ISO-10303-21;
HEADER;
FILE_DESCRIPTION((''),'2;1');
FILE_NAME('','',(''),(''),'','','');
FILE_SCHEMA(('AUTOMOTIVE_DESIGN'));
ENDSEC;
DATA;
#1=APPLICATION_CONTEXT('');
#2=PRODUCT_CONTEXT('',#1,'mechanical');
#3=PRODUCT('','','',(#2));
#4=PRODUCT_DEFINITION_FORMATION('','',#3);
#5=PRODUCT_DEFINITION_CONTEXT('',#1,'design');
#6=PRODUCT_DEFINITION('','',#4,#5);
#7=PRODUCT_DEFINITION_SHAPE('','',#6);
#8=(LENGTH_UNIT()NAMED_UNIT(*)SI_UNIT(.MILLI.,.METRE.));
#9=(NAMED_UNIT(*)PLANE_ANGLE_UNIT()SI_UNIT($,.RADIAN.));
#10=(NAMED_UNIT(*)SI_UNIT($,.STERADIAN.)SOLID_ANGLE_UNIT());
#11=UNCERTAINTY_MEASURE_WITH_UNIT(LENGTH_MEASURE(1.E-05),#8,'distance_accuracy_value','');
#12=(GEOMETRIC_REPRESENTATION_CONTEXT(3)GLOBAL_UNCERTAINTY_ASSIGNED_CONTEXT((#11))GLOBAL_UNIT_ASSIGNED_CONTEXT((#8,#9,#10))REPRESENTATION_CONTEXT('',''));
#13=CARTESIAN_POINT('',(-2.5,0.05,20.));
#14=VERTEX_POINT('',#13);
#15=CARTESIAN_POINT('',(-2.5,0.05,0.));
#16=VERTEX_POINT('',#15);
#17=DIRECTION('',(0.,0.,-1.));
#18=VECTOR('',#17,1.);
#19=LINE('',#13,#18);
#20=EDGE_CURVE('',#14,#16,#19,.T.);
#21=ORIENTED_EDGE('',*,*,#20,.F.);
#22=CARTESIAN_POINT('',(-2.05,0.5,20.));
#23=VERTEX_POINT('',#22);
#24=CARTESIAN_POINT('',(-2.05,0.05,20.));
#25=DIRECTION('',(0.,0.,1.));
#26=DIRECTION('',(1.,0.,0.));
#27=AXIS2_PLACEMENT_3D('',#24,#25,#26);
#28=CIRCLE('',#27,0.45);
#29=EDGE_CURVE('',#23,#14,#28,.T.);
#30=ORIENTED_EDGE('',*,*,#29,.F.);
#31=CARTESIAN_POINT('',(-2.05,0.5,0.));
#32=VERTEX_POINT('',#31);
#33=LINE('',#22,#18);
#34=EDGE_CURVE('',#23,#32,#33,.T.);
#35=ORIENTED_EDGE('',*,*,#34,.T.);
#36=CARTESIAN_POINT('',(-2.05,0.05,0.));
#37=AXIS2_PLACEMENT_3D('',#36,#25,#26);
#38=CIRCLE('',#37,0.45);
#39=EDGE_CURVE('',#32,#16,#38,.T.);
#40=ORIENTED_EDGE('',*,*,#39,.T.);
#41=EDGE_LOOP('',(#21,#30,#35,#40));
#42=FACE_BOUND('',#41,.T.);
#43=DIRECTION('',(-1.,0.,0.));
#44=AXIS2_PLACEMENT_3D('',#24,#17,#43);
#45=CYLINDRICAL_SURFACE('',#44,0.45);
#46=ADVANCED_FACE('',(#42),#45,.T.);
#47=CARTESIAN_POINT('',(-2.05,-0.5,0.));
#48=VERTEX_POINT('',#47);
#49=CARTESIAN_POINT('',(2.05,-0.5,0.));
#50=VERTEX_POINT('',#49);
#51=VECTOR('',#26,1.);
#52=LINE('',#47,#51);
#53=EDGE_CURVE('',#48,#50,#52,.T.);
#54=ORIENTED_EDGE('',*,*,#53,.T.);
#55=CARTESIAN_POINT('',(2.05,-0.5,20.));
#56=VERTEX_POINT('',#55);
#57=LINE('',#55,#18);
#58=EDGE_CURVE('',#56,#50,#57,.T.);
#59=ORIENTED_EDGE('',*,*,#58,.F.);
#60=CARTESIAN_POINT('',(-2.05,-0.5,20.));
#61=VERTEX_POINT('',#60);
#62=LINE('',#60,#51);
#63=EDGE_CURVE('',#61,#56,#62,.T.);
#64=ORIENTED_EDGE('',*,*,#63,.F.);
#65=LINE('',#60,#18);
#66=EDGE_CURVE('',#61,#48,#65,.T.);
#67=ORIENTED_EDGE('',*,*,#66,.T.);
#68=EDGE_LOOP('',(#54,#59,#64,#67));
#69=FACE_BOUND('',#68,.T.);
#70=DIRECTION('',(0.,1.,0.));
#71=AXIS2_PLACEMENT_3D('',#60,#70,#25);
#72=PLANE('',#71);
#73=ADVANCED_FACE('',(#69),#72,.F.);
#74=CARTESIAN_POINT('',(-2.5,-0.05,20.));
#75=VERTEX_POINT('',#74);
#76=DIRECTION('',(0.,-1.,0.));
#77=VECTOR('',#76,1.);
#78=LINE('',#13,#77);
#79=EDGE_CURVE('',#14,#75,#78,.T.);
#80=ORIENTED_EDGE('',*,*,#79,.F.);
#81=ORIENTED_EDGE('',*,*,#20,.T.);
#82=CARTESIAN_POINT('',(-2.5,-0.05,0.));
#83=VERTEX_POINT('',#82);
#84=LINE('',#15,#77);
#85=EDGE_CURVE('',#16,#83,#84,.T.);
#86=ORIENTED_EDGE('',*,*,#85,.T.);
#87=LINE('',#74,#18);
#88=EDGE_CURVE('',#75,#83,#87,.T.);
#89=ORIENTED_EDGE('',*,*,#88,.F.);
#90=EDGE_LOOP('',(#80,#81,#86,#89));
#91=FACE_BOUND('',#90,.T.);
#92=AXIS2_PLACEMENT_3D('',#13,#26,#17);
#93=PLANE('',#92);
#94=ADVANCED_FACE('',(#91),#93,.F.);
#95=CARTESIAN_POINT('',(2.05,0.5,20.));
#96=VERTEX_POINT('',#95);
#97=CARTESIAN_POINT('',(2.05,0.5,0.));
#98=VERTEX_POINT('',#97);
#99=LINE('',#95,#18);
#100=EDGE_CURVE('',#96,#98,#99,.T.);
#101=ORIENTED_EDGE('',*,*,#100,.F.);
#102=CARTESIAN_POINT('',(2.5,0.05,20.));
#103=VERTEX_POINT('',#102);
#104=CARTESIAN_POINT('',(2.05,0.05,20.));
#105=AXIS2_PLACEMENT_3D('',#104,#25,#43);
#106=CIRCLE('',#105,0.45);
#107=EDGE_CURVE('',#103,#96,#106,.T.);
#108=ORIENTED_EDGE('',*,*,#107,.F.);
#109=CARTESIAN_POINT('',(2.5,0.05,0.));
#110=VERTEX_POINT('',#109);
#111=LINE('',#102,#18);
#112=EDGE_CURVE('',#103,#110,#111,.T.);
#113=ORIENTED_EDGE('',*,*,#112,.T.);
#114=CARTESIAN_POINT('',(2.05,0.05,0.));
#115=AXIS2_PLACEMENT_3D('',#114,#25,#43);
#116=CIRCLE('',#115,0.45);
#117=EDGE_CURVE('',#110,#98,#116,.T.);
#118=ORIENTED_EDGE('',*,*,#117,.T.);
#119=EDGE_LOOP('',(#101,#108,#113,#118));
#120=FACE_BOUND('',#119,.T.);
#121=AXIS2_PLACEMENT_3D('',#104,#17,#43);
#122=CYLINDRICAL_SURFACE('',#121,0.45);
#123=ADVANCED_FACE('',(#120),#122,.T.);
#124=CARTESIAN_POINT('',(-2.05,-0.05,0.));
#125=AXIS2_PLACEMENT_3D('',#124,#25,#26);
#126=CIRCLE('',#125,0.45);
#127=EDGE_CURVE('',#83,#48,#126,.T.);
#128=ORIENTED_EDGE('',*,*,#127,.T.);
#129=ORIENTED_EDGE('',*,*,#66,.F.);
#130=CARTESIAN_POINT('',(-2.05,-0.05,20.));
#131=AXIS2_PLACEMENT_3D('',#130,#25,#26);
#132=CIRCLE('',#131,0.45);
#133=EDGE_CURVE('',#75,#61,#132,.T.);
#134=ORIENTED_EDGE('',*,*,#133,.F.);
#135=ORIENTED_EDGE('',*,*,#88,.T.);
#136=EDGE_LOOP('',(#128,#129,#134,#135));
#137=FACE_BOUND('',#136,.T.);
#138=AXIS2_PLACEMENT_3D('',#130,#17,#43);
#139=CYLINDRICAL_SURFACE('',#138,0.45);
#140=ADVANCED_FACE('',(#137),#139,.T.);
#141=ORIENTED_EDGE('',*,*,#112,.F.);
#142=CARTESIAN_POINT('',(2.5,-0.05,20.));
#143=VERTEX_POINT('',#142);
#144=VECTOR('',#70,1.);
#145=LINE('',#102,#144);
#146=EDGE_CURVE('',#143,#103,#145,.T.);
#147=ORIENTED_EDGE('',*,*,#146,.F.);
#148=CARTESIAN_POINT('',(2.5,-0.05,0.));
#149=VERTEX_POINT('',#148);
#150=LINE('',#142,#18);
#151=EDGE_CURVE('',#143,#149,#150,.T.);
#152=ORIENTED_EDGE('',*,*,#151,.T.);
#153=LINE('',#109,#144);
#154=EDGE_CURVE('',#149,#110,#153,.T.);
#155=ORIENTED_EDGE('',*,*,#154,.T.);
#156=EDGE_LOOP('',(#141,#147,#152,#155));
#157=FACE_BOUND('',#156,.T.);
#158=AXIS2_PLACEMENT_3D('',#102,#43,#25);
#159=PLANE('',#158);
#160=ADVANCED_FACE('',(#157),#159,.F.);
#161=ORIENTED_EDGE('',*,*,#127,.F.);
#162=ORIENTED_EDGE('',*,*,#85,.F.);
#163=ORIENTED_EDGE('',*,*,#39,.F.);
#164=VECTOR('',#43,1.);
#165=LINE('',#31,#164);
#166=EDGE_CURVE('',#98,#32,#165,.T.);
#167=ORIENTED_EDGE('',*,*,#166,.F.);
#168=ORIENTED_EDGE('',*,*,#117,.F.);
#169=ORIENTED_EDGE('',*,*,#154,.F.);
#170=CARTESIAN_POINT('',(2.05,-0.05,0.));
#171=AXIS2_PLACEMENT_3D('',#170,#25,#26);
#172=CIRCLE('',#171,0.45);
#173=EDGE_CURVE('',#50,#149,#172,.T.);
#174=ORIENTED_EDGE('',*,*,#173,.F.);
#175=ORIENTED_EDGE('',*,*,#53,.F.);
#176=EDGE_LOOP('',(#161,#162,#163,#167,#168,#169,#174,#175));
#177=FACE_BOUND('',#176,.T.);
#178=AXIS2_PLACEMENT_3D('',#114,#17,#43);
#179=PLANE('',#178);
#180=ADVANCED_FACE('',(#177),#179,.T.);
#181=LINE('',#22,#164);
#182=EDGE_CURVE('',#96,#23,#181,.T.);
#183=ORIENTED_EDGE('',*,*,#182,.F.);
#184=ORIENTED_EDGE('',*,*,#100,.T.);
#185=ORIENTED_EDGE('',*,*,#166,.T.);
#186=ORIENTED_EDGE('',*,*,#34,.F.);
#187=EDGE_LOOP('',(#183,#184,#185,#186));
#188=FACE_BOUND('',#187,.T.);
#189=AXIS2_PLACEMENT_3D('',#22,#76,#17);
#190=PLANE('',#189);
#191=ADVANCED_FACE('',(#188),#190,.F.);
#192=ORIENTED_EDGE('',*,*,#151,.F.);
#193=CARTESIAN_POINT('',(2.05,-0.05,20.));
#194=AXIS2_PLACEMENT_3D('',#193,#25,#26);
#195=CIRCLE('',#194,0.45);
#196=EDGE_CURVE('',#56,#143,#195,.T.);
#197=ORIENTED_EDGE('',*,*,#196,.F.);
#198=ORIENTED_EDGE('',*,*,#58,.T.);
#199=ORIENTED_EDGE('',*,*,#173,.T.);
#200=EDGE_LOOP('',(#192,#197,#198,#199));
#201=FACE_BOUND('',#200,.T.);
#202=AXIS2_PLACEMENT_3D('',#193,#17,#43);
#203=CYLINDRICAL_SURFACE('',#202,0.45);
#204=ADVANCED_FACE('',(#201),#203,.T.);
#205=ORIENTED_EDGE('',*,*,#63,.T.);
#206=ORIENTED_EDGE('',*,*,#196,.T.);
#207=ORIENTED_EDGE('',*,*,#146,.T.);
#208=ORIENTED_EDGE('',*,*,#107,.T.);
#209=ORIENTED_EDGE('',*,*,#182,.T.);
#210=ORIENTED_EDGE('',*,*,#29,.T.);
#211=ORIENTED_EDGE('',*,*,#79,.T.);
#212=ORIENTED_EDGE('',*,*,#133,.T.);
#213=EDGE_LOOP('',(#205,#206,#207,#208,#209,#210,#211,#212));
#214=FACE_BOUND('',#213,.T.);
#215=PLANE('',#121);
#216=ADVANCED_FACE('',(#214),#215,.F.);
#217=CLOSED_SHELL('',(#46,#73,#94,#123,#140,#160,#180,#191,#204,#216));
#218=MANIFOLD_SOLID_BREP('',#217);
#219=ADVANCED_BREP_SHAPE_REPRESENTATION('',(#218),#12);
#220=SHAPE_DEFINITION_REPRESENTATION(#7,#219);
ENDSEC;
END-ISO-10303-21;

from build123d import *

# Parameters (mm, degrees)
BOSS_EXTRUDE1_DEPTH = 20


with BuildPart() as part:
    # Sketch1 → Boss-Extrude1 (new body)
    with BuildSketch(Plane.XY):
        with BuildLine():
            Line((-2.05, 0.5), (2.05, 0.5))
            ThreePointArc((2.05, 0.5), (2.368198052, 0.368198052), (2.5, 0.05))
            Line((2.5, 0.05), (2.5, -0.05))
            ThreePointArc((2.5, -0.05), (2.368198052, -0.368198052), (2.05, -0.5))
            Line((2.05, -0.5), (-2.05, -0.5))
            ThreePointArc((-2.05, -0.5), (-2.368198052, -0.368198052), (-2.5, -0.05))
            Line((-2.5, -0.05), (-2.5, 0.05))
            ThreePointArc((-2.5, 0.05), (-2.368198052, 0.368198052), (-2.05, 0.5))
        make_face()
    extrude(amount=BOSS_EXTRUDE1_DEPTH)


solid = part.part
